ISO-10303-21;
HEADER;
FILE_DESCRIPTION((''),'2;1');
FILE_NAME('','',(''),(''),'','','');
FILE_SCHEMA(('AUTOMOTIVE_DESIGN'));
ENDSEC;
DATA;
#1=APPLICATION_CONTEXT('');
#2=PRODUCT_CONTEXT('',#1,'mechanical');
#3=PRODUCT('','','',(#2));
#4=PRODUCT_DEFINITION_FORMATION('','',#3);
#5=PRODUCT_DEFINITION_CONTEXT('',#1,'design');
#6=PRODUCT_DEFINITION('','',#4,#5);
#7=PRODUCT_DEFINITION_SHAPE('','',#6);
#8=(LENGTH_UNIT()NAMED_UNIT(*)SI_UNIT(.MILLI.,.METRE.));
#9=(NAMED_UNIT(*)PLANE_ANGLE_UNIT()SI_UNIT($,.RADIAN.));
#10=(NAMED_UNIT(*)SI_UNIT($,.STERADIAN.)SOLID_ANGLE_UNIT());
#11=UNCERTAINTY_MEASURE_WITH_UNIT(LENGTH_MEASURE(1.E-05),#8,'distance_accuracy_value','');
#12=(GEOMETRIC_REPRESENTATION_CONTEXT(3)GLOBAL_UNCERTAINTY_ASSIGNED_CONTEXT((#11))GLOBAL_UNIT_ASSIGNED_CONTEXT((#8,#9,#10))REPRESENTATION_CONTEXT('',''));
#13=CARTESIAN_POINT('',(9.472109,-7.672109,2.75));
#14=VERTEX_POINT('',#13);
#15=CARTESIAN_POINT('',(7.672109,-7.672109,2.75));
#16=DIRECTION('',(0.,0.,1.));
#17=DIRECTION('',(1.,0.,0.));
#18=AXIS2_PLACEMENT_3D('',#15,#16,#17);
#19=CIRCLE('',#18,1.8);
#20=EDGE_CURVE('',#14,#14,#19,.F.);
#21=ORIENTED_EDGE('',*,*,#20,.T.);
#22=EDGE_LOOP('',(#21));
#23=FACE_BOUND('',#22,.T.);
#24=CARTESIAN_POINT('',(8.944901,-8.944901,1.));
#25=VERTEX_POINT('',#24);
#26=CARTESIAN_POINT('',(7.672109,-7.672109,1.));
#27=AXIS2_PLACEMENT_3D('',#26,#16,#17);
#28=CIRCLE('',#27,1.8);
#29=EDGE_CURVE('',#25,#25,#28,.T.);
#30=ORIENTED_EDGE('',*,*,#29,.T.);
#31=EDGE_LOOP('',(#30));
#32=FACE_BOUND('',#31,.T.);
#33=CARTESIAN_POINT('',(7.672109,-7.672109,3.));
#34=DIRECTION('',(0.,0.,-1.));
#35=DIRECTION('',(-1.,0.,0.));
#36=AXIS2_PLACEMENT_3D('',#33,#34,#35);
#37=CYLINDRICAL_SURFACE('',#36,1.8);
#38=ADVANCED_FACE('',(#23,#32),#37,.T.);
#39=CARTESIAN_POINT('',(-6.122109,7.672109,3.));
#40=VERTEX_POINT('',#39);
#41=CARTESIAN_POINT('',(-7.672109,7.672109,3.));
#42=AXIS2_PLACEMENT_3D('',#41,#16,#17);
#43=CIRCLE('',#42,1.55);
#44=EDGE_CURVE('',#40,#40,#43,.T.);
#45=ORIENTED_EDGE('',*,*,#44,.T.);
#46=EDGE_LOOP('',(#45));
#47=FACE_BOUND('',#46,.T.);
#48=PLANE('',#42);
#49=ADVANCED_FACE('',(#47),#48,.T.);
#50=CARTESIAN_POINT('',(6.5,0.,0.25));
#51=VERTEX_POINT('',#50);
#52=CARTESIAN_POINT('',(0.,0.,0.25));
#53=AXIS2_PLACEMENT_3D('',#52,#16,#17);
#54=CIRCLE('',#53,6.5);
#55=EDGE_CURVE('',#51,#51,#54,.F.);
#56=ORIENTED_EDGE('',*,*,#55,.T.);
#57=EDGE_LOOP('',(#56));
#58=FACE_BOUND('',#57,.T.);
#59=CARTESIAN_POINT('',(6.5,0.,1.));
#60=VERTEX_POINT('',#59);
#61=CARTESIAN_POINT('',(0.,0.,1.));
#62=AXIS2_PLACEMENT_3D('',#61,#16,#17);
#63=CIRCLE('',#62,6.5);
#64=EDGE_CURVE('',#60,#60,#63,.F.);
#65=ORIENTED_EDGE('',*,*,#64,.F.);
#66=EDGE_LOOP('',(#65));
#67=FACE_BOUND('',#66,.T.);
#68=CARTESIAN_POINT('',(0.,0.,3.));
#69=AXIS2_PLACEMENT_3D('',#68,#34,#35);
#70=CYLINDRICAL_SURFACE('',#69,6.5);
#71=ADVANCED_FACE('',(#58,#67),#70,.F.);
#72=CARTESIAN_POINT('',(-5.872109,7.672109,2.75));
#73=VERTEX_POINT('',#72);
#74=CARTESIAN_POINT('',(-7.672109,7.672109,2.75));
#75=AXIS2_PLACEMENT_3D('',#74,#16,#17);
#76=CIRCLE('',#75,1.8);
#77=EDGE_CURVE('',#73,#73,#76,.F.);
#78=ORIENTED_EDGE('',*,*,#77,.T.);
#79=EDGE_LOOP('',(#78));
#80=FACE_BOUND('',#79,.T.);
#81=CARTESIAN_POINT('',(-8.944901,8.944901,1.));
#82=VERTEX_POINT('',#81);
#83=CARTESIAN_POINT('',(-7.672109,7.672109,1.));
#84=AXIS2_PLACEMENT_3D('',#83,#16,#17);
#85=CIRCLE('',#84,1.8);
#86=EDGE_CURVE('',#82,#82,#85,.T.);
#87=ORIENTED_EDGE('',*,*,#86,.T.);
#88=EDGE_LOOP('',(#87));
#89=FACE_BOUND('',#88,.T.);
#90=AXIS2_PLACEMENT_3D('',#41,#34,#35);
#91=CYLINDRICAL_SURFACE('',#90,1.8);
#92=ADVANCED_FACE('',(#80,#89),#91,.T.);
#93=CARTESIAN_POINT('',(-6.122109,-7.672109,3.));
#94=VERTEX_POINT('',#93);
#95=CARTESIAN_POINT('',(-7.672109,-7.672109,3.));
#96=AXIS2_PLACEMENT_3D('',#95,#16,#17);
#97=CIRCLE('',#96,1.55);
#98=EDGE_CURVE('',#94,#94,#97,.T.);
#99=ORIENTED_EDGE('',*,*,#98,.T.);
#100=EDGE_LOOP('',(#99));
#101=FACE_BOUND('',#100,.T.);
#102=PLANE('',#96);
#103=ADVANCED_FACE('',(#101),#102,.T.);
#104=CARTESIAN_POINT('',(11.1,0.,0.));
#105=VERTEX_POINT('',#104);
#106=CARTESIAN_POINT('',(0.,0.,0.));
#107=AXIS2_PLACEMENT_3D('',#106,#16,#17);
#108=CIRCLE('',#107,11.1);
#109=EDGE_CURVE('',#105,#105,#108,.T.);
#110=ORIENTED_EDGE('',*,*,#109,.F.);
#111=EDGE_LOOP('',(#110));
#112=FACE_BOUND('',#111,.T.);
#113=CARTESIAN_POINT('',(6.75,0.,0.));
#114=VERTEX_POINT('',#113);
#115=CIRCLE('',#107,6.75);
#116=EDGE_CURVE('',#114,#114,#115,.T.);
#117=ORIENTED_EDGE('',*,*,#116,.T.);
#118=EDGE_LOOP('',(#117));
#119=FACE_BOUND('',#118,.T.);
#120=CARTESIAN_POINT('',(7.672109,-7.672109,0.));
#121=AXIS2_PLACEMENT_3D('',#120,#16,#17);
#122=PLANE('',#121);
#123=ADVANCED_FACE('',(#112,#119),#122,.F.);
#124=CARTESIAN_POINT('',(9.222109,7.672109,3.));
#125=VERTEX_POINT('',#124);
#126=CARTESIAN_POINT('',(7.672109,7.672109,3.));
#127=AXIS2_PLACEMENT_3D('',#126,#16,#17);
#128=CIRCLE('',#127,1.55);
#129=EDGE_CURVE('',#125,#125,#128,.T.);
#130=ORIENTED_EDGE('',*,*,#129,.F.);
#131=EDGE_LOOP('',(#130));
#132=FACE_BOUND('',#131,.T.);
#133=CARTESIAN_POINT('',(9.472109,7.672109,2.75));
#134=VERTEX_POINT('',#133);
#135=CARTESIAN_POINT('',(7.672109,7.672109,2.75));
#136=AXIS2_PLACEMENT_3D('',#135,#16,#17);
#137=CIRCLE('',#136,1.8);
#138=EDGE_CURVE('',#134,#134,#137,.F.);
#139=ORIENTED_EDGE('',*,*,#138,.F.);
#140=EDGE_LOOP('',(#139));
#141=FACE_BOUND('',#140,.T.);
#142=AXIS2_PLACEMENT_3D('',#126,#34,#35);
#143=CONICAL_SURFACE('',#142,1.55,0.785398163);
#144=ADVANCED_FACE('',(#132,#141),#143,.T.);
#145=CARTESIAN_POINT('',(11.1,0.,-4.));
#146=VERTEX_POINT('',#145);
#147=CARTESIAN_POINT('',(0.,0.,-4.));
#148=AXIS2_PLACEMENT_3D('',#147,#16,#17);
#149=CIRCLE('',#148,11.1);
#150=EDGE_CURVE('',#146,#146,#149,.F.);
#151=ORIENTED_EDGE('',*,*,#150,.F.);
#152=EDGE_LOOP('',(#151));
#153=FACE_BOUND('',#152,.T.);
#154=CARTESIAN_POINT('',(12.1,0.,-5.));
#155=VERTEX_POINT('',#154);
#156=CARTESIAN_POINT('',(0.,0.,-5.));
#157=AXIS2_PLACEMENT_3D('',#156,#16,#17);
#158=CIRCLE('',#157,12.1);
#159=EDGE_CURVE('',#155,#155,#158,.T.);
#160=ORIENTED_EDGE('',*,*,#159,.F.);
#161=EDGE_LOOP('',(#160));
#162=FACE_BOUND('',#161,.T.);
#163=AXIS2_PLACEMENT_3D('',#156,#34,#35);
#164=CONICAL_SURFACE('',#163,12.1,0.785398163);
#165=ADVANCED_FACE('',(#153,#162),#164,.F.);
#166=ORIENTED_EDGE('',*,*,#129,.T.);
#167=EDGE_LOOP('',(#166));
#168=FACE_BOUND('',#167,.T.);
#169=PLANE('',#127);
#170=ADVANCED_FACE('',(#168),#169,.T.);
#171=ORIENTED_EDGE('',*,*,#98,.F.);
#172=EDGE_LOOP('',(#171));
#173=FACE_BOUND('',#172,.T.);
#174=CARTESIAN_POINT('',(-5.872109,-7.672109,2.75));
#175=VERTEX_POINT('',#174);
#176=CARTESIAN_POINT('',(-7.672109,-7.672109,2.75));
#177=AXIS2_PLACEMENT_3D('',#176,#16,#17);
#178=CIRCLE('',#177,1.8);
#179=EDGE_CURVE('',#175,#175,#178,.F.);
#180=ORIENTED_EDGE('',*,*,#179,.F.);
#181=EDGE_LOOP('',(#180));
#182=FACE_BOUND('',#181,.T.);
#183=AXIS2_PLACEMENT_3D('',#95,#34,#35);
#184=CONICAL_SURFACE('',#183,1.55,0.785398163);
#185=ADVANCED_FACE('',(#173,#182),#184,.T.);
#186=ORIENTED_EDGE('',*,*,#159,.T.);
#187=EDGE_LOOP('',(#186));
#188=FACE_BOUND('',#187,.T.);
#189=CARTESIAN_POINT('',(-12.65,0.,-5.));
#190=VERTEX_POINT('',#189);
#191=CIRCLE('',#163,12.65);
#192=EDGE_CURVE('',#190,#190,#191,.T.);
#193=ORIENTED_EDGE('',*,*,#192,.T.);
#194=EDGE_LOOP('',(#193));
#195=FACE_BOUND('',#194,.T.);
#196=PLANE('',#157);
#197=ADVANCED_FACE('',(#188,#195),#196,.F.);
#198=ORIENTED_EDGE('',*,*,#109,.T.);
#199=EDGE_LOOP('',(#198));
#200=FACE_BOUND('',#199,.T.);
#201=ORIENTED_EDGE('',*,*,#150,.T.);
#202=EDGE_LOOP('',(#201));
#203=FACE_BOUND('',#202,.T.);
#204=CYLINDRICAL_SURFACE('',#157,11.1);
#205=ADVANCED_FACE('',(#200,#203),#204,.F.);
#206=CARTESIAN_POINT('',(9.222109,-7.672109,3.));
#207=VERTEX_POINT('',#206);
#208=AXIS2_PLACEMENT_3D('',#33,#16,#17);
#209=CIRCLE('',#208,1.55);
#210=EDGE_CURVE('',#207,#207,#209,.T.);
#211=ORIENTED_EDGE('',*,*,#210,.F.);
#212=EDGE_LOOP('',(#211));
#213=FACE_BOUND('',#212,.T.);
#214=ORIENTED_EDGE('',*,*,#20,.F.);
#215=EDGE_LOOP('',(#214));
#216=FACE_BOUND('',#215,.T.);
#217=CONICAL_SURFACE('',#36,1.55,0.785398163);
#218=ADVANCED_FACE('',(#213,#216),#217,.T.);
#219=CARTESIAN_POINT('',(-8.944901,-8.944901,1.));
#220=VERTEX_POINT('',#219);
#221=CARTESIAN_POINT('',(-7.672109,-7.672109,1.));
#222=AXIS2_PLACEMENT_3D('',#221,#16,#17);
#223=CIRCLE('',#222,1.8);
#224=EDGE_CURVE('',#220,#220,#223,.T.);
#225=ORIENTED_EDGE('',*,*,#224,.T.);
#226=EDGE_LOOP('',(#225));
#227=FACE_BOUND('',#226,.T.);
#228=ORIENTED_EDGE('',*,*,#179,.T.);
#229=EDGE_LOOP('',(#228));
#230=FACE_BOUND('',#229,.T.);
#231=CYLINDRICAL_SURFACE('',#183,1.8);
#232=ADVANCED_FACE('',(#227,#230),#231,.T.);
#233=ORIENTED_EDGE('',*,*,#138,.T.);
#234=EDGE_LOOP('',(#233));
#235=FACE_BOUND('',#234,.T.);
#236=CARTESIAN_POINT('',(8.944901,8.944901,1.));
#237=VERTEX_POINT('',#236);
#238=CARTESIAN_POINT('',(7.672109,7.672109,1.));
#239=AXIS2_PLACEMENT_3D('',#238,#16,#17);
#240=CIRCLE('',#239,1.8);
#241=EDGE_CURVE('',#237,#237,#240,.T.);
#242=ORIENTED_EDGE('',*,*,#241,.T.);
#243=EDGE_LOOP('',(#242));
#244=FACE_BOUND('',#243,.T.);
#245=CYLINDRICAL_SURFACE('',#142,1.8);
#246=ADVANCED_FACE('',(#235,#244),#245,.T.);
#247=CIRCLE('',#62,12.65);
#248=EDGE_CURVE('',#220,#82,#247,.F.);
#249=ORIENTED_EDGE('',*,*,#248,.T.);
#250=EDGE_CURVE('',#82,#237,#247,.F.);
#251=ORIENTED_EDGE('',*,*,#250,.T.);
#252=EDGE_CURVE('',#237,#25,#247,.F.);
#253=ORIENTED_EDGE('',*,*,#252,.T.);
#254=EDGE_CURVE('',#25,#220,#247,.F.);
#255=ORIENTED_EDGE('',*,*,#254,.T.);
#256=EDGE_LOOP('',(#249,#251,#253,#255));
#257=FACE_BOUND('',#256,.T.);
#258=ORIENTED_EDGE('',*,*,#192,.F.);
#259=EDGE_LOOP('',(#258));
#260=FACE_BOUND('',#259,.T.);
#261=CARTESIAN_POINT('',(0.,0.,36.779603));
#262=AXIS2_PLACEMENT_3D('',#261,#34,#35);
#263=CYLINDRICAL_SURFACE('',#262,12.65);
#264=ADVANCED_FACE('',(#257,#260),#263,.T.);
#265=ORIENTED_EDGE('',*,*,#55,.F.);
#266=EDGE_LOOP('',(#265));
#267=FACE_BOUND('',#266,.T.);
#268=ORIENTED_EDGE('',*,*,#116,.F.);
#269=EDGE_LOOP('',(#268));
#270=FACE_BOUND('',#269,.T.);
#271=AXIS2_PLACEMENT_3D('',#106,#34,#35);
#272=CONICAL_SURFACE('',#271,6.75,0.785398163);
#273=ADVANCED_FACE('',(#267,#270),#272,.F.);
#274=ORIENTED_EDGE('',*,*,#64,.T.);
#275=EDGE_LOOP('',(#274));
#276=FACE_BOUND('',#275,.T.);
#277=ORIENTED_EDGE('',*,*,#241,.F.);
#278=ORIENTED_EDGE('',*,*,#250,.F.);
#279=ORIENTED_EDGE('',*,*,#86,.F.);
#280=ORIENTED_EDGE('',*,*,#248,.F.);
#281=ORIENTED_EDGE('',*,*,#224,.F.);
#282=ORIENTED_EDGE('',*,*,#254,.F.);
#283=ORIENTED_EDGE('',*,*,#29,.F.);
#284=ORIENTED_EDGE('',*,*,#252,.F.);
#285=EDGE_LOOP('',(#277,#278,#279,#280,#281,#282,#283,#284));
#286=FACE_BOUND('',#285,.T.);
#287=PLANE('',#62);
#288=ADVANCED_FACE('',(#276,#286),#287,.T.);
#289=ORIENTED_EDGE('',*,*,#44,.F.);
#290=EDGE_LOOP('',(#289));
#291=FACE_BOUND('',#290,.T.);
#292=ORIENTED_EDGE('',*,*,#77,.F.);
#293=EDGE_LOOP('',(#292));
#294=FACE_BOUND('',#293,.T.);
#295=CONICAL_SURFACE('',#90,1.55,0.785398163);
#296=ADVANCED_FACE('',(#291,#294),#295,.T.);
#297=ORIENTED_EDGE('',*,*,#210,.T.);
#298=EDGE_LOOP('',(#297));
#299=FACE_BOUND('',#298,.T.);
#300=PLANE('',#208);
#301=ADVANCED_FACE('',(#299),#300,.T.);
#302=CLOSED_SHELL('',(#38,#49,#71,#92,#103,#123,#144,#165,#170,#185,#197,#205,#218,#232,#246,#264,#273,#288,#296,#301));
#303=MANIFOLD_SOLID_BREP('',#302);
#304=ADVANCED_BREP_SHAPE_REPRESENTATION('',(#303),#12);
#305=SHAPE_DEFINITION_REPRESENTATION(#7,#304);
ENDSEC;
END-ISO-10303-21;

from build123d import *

# Parameters (mm, degrees)
SKETCH1_R           = 12.6
SKETCH1_R_2         = 11.1
BOSS_EXTRUDE1_DEPTH = 5
CHAMFER1_SIZE       = 1
SKETCH2_R           = 1.8
BOSS_EXTRUDE2_DEPTH = 3
BOSS_EXTRUDE3_START = 1
SKETCH3_R           = 12.6
BOSS_EXTRUDE3_DEPTH = 1
SKETCH5_R           = 6.5
CUT_EXTRUDE1_DEPTH  = 19.507295859
CHAMFER2_SIZE       = 0.25
CHAMFER3_SIZE       = 0.25
BOSS_EXTRUDE4_START = -6
SKETCH7_R           = 12.65
SKETCH7_R_2         = 12.6
BOSS_EXTRUDE4_DEPTH = 6


with BuildPart() as part:
    # Sketch1 → Boss-Extrude1 (new body)
    with BuildSketch(Plane.XY):
        Circle(SKETCH1_R)
        Circle(SKETCH1_R_2, mode=Mode.SUBTRACT)
    extrude(amount=-BOSS_EXTRUDE1_DEPTH)

    # Chamfer1
    chamfer1_edges = [part.edges().sort_by_distance(p)[0] for p in [
        (-11.1, 0, -5),
    ]]
    chamfer(chamfer1_edges, length=CHAMFER1_SIZE)

    # Sketch2 → Boss-Extrude2 (add)
    with BuildSketch(Plane.XY):
        with Locations(Location((7.672108576, -7.672108576, 0), (0, 0, 228.298602852))):
            Circle(SKETCH2_R)
        with Locations(Location((-7.672108576, -7.672108576, 0), (0, 0, 210.392900991))):
            Circle(SKETCH2_R)
        with Locations(Location((-7.672108576, 7.672108576, 0), (0, 0, 149.607099009))):
            Circle(SKETCH2_R)
        with Locations(Location((7.672108576, 7.672108576, 0), (0, 0, 131.701397148))):
            Circle(SKETCH2_R)
    extrude(amount=BOSS_EXTRUDE2_DEPTH)

    # Sketch3 → Boss-Extrude3 (add)
    with BuildSketch(Plane.XY.offset(BOSS_EXTRUDE3_START)):
        Circle(SKETCH3_R)
    extrude(amount=-BOSS_EXTRUDE3_DEPTH)

    # Sketch5 → Cut-Extrude1 (cut, through all)
    with BuildSketch(Plane.XY):
        Circle(SKETCH5_R)
    extrude(amount=CUT_EXTRUDE1_DEPTH, mode=Mode.SUBTRACT)

    # Chamfer2
    chamfer2_edges = [part.edges().sort_by_distance(p)[0] for p in [
        (8.869555986, -6.328189047, 3),
        (-6.119471127, -6.761440167, 3),
        (-6.119471127, 6.761440167, 3),
        (8.869555986, 6.328189047, 3),
    ]]
    chamfer(chamfer2_edges, length=CHAMFER2_SIZE)

    # Chamfer3
    chamfer3_edges = [part.edges().sort_by_distance(p)[0] for p in [
        (-6.5, 0, 0),
    ]]
    chamfer(chamfer3_edges, length=CHAMFER3_SIZE)

    # Sketch7 → Boss-Extrude4 (add)
    with BuildSketch(Plane(origin=(0, 0, -5), x_dir=(-1, 0, 0), z_dir=(0, 0, -1)).offset(BOSS_EXTRUDE4_START)):
        Circle(SKETCH7_R)
        Circle(SKETCH7_R_2, mode=Mode.SUBTRACT)
    extrude(amount=BOSS_EXTRUDE4_DEPTH)


solid = part.part
